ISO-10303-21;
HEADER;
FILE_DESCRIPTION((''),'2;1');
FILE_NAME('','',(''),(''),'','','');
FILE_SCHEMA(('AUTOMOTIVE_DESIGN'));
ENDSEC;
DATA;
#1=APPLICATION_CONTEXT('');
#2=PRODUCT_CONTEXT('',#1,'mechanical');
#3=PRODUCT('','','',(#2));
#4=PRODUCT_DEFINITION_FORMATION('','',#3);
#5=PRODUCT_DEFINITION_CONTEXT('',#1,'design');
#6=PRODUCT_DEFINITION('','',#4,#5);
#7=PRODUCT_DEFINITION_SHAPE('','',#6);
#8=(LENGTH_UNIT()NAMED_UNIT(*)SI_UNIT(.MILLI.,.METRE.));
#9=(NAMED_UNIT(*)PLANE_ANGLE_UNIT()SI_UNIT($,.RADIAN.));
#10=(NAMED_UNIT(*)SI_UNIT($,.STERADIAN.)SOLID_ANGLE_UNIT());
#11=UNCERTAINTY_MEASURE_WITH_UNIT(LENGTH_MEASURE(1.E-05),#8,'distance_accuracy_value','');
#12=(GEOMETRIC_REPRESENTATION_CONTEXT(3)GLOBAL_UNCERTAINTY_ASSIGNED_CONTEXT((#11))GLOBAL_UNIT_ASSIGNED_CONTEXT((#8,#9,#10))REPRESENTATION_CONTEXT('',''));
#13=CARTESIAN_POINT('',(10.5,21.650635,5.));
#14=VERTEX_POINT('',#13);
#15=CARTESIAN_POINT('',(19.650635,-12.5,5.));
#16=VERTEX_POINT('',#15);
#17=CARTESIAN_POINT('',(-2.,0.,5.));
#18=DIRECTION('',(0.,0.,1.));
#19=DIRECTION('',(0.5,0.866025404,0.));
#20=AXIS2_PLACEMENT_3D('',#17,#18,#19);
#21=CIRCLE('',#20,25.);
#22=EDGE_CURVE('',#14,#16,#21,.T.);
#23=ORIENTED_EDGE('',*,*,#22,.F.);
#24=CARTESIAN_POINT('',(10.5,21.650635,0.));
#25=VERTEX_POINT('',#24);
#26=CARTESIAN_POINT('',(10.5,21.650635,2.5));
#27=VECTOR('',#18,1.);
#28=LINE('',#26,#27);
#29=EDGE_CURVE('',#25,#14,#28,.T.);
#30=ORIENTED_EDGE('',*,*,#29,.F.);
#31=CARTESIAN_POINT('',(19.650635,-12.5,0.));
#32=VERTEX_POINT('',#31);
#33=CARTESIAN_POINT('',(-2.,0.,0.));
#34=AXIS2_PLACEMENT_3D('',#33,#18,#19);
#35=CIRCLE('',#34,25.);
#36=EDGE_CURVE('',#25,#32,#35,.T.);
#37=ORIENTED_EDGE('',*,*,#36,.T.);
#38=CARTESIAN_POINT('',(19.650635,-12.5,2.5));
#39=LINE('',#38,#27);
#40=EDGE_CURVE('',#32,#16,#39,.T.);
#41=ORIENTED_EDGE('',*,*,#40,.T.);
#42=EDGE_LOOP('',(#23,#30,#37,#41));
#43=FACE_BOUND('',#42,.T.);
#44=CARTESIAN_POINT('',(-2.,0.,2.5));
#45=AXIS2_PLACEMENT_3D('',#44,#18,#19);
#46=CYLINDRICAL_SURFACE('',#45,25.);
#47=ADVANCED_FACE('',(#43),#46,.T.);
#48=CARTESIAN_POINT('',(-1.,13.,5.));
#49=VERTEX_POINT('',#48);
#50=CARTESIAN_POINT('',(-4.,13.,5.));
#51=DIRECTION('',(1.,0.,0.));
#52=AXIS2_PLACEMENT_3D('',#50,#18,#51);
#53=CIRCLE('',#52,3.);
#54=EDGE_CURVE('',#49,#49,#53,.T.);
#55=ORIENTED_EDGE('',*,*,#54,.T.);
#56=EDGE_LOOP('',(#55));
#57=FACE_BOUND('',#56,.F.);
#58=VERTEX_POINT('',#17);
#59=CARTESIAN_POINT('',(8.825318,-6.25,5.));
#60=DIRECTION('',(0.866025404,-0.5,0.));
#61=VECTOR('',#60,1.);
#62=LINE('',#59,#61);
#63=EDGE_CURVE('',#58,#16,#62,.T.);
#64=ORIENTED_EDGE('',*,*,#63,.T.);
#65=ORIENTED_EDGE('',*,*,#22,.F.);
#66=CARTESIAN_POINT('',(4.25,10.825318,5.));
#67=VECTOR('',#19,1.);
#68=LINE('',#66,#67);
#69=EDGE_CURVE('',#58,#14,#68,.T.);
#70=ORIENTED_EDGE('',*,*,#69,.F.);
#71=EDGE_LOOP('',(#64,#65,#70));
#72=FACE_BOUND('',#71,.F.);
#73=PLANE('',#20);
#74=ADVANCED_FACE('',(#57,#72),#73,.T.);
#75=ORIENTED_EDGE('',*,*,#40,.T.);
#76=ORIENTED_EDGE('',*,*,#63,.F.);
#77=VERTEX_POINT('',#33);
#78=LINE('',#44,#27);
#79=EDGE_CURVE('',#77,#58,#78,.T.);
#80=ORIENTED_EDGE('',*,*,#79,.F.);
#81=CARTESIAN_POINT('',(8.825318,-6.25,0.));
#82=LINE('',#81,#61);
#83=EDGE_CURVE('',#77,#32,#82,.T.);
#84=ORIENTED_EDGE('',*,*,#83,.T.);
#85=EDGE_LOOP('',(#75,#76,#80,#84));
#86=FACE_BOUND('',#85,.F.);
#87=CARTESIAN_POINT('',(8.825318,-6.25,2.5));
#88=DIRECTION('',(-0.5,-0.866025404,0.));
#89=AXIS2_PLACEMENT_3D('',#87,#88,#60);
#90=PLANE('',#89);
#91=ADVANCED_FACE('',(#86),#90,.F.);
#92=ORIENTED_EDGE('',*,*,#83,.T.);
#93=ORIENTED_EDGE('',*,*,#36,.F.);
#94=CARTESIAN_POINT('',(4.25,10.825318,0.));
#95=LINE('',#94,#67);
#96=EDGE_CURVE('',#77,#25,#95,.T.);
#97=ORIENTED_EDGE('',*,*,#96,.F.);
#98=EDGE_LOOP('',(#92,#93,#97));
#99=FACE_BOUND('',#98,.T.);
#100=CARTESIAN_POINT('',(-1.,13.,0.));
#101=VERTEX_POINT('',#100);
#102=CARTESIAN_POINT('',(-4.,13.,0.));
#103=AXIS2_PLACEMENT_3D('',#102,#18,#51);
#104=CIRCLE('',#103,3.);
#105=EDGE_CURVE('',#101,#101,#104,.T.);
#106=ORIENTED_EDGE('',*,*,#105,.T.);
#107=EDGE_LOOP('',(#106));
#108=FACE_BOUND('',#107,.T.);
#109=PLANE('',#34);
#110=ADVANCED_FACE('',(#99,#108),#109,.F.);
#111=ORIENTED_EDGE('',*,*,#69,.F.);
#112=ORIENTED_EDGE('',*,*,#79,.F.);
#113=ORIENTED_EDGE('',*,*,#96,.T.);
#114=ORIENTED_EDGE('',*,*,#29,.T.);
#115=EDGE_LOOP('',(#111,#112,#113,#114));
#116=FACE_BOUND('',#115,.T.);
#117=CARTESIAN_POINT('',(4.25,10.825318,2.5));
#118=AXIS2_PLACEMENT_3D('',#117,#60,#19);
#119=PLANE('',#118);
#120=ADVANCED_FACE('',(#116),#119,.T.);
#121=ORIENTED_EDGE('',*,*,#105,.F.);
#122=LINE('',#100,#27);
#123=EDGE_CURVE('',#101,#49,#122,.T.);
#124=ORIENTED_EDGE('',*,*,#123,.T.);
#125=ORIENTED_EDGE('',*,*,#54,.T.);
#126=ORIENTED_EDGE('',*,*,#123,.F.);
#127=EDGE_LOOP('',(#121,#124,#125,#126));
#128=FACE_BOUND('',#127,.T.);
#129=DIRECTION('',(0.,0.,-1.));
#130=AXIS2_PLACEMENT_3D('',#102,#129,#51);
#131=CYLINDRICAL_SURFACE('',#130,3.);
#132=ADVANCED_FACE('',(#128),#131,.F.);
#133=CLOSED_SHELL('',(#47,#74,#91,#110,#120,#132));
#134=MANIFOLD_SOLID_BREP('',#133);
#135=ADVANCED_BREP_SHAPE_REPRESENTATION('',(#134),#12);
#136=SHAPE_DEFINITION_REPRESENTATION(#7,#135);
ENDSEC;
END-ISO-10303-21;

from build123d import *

# Parameters (mm, degrees)
CYLINDER001_R            = 3
CYLINDER001_DEPTH        = 5
CYLINDER_W               = 25
CYLINDER_H               = 5
CYLINDER_ANGLE           = 270
CYLINDER_PLACEMENT_ANGLE = 60


with BuildPart() as cilindro001:
    # Cylinder001 → Cylinder001 (new body)
    with BuildSketch(Plane(origin=(-4, 13, 0), x_dir=(1, 0, 0), z_dir=(0, 0, 1))):
        Circle(CYLINDER001_R)
    extrude(amount=CYLINDER001_DEPTH)


with BuildPart() as pacman:
    # Cylinder → Cylinder (revolve)
    with BuildSketch(Plane.XZ):
        with Locations((12.5, 2.5)):
            Rectangle(CYLINDER_W, CYLINDER_H)
    revolve(axis=Axis((0, 0, 0), (0, 0, 1)), revolution_arc=CYLINDER_ANGLE)


with BuildPart() as pacman_1:
    # Cylinder placement: moved
    add(pacman.part.moved(Location((-2, 0, 0))).rotate(Axis((-2, 0, 0), (0, 0, 1)), CYLINDER_PLACEMENT_ANGLE))

    # Cut: cut Cilindro001
    add(cilindro001.part, mode=Mode.SUBTRACT)


solid = pacman_1.part
